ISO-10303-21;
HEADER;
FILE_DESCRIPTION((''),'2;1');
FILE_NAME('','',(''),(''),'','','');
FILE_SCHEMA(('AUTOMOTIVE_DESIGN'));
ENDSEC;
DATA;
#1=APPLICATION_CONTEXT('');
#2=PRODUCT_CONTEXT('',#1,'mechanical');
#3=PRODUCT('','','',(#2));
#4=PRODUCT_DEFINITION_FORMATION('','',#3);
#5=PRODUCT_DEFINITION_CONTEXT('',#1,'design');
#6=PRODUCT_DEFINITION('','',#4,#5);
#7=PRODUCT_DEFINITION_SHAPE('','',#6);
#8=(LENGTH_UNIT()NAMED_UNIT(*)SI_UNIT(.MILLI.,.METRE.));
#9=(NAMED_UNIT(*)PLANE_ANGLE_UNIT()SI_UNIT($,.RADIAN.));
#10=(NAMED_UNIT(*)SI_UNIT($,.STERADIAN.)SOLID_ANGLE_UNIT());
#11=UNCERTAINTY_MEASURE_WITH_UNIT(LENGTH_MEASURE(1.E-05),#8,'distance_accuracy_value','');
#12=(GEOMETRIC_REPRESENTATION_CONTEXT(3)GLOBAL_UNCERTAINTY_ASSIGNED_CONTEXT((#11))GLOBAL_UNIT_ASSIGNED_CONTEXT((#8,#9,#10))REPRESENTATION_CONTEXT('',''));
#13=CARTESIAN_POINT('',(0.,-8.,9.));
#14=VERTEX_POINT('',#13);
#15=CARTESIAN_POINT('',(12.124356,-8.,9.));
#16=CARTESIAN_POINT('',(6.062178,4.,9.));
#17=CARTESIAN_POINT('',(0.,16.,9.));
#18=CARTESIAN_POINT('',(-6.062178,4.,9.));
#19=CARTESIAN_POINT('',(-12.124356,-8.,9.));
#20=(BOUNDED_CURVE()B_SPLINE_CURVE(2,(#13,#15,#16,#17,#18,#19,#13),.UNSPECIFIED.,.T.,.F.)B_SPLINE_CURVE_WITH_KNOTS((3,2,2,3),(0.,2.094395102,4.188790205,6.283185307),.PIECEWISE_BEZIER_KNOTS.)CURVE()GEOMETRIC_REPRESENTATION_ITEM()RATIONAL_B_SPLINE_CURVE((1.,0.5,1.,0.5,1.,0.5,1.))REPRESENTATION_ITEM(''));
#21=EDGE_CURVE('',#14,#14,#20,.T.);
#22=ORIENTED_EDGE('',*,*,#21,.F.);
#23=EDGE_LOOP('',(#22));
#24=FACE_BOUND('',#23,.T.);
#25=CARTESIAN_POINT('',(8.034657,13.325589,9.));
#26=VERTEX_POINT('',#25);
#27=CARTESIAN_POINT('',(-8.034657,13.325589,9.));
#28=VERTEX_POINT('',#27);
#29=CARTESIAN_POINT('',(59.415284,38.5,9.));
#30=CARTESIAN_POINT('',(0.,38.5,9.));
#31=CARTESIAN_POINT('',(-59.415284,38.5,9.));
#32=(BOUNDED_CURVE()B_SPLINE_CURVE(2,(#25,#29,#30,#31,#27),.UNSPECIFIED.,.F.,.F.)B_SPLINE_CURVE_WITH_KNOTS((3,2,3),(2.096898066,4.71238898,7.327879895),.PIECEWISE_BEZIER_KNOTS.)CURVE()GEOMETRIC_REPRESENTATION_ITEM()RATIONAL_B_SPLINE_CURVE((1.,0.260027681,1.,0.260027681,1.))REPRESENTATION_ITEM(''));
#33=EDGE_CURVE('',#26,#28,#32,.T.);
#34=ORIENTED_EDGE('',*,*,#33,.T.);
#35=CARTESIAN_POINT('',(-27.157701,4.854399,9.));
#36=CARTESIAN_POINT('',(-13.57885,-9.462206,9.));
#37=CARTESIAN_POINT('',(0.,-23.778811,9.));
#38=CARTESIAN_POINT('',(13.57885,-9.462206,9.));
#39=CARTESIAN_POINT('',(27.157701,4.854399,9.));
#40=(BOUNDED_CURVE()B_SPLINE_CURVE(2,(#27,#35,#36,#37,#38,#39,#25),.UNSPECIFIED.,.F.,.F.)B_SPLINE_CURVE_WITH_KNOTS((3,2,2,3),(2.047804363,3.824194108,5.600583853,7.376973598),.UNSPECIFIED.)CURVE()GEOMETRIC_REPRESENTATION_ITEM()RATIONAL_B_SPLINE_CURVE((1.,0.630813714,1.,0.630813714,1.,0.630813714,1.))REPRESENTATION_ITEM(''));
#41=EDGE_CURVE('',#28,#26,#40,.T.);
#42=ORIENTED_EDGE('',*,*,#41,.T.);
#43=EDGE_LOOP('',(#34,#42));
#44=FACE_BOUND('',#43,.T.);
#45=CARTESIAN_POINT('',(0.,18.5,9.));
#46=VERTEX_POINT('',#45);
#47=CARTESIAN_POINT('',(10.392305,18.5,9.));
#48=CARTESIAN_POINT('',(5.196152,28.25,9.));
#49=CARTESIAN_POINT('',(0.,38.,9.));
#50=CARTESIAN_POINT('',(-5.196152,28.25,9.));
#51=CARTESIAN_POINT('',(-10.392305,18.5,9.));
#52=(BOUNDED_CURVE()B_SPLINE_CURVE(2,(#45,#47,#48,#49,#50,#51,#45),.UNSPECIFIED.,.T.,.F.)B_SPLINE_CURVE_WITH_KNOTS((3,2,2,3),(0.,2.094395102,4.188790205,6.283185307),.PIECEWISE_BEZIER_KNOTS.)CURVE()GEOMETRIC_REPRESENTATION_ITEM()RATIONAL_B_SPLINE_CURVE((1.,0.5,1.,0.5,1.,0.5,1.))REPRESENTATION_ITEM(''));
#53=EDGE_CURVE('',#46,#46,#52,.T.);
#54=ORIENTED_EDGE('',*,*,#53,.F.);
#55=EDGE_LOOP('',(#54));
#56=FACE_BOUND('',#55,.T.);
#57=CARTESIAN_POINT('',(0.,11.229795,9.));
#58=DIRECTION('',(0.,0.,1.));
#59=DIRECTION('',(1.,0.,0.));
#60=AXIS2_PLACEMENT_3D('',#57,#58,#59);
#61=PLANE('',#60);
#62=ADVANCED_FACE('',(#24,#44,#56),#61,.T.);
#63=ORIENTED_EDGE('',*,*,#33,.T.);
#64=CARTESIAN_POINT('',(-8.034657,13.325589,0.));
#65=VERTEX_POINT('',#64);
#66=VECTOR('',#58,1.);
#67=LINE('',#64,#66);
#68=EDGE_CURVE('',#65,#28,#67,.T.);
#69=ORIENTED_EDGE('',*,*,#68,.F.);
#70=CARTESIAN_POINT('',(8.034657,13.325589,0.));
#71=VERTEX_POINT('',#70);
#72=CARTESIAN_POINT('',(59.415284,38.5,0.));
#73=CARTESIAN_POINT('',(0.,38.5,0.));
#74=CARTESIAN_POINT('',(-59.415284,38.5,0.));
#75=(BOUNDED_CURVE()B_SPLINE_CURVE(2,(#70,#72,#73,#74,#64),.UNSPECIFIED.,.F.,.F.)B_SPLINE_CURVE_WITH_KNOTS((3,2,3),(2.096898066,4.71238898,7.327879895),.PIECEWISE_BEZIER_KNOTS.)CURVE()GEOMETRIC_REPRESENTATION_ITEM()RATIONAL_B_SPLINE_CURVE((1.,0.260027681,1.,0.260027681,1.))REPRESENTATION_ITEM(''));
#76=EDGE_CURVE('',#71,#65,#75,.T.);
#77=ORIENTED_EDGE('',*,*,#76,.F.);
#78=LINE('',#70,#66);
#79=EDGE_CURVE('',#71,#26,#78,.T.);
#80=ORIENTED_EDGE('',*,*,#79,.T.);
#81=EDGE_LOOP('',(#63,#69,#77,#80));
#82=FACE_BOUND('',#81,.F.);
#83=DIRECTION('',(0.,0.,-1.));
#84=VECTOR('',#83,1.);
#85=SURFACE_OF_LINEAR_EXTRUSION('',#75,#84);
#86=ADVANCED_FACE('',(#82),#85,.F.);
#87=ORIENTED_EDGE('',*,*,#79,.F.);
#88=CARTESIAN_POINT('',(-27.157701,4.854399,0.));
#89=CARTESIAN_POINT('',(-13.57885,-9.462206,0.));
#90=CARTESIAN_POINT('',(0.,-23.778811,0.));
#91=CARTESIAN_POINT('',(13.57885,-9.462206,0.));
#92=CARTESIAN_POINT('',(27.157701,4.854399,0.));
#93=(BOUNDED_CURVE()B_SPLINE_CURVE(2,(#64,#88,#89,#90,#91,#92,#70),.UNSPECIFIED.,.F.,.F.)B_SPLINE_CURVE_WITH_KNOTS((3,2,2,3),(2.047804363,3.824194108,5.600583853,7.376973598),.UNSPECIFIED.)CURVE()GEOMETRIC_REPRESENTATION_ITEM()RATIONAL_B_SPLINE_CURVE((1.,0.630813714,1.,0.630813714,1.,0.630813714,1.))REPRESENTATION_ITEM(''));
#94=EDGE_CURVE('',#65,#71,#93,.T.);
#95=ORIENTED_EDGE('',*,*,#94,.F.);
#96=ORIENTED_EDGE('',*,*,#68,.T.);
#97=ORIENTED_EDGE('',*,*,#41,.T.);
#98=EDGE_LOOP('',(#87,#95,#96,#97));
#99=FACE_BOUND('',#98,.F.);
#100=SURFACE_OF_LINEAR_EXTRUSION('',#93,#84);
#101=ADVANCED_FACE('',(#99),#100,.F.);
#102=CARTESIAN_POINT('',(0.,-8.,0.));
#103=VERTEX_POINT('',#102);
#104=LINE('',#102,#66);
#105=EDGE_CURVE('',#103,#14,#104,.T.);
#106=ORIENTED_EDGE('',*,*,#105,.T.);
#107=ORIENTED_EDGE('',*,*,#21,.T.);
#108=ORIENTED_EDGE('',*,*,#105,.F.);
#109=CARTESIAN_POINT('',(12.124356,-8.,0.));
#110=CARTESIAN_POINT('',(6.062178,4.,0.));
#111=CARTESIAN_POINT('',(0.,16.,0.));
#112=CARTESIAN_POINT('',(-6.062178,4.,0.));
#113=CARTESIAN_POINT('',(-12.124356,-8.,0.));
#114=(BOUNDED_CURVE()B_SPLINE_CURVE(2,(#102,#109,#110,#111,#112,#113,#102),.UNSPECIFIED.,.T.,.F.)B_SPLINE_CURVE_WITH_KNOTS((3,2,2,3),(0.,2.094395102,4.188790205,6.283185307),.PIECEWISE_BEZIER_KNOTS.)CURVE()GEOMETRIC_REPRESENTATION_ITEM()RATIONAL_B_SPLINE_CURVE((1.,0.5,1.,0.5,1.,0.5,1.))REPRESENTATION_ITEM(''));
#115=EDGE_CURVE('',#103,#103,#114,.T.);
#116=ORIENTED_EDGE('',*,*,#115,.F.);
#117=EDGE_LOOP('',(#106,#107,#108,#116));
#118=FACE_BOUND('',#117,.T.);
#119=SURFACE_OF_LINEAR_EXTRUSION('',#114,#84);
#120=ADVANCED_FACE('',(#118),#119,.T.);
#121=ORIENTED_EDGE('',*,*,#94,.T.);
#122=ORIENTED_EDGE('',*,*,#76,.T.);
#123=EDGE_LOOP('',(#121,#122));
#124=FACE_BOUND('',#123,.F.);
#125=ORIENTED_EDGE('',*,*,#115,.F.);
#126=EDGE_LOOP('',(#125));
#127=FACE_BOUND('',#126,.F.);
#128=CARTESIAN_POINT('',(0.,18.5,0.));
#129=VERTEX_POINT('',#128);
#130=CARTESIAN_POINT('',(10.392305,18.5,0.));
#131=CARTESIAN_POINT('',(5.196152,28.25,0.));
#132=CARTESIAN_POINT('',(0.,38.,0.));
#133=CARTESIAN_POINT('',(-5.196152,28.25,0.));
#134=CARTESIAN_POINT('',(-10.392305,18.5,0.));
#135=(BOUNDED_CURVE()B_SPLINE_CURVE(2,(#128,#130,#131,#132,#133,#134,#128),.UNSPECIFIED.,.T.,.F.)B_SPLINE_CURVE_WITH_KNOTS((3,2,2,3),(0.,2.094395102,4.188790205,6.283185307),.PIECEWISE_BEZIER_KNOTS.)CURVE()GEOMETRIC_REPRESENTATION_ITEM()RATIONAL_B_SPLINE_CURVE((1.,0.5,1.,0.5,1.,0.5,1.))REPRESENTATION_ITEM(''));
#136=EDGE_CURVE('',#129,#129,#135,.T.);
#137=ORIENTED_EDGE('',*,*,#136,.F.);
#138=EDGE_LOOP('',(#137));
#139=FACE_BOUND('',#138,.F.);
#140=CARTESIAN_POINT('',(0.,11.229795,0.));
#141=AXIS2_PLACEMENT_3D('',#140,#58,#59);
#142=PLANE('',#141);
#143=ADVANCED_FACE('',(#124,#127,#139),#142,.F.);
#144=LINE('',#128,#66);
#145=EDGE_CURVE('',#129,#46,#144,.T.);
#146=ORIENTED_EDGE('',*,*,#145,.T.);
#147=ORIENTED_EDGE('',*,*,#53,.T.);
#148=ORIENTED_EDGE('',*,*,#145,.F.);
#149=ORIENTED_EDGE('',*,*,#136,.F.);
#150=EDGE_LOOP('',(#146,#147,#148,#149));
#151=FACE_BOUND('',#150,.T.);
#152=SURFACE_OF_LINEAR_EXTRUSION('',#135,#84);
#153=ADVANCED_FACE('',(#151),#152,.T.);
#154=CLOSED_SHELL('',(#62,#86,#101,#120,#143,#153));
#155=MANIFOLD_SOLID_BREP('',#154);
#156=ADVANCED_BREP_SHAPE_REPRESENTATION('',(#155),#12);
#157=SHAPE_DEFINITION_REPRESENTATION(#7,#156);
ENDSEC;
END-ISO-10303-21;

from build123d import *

# Parameters (mm, degrees)
F1_DEPTH = 9


with BuildPart() as f1:
    # F0 (on Top) → F1 (new body)
    with BuildSketch(Plane.XY):
        with BuildLine():
            add(Edge.make_bspline(
                [(8.0346569821, 13.325588656), (59.4152844348, 38.5), (0, 38.5), (-59.4152844348, 38.5), (-8.0346569821, 13.325588656)],
                knots=[2.0968980658, 2.0968980658, 2.0968980658, 4.7123889804, 4.7123889804, 7.327879895, 7.327879895, 7.327879895], degree=2, weights=[1, 0.2600276806, 1, 0.2600276806, 1]))
            add(Edge.make_bspline(
                [(-8.0346569821, 13.325588656), (-27.1577009576, 4.8543994498), (-13.5788504788, -9.4622057103), (0, -23.7788108703), (13.5788504788, -9.4622057103), (27.1577009576, 4.8543994498), (8.0346569821, 13.325588656)],
                knots=[2.0478043632, 2.0478043632, 2.0478043632, 3.824194108, 3.824194108, 5.6005838528, 5.6005838528, 7.3769735975, 7.3769735975, 7.3769735975], degree=2, weights=[1, 0.630813714, 1, 0.630813714, 1, 0.630813714, 1]))
        make_face()
        with BuildLine():
            add(Edge.make_bspline(
                [(0, -8), (12.124355653, -8), (6.0621778265, 4), (0, 16), (-6.0621778265, 4), (-12.124355653, -8), (0, -8)],
                knots=[0, 0, 0, 2.0943951024, 2.0943951024, 4.1887902048, 4.1887902048, 6.2831853072, 6.2831853072, 6.2831853072], degree=2, weights=[1, 0.5, 1, 0.5, 1, 0.5, 1]))
        make_face(mode=Mode.SUBTRACT)
        with BuildLine():
            add(Edge.make_bspline(
                [(0, 18.5), (10.3923048454, 18.5), (5.1961524227, 28.25), (0, 38), (-5.1961524227, 28.25), (-10.3923048454, 18.5), (0, 18.5)],
                knots=[0, 0, 0, 2.0943951024, 2.0943951024, 4.1887902048, 4.1887902048, 6.2831853072, 6.2831853072, 6.2831853072], degree=2, weights=[1, 0.5, 1, 0.5, 1, 0.5, 1]))
        make_face(mode=Mode.SUBTRACT)
    extrude(amount=F1_DEPTH)


solid = f1.part
